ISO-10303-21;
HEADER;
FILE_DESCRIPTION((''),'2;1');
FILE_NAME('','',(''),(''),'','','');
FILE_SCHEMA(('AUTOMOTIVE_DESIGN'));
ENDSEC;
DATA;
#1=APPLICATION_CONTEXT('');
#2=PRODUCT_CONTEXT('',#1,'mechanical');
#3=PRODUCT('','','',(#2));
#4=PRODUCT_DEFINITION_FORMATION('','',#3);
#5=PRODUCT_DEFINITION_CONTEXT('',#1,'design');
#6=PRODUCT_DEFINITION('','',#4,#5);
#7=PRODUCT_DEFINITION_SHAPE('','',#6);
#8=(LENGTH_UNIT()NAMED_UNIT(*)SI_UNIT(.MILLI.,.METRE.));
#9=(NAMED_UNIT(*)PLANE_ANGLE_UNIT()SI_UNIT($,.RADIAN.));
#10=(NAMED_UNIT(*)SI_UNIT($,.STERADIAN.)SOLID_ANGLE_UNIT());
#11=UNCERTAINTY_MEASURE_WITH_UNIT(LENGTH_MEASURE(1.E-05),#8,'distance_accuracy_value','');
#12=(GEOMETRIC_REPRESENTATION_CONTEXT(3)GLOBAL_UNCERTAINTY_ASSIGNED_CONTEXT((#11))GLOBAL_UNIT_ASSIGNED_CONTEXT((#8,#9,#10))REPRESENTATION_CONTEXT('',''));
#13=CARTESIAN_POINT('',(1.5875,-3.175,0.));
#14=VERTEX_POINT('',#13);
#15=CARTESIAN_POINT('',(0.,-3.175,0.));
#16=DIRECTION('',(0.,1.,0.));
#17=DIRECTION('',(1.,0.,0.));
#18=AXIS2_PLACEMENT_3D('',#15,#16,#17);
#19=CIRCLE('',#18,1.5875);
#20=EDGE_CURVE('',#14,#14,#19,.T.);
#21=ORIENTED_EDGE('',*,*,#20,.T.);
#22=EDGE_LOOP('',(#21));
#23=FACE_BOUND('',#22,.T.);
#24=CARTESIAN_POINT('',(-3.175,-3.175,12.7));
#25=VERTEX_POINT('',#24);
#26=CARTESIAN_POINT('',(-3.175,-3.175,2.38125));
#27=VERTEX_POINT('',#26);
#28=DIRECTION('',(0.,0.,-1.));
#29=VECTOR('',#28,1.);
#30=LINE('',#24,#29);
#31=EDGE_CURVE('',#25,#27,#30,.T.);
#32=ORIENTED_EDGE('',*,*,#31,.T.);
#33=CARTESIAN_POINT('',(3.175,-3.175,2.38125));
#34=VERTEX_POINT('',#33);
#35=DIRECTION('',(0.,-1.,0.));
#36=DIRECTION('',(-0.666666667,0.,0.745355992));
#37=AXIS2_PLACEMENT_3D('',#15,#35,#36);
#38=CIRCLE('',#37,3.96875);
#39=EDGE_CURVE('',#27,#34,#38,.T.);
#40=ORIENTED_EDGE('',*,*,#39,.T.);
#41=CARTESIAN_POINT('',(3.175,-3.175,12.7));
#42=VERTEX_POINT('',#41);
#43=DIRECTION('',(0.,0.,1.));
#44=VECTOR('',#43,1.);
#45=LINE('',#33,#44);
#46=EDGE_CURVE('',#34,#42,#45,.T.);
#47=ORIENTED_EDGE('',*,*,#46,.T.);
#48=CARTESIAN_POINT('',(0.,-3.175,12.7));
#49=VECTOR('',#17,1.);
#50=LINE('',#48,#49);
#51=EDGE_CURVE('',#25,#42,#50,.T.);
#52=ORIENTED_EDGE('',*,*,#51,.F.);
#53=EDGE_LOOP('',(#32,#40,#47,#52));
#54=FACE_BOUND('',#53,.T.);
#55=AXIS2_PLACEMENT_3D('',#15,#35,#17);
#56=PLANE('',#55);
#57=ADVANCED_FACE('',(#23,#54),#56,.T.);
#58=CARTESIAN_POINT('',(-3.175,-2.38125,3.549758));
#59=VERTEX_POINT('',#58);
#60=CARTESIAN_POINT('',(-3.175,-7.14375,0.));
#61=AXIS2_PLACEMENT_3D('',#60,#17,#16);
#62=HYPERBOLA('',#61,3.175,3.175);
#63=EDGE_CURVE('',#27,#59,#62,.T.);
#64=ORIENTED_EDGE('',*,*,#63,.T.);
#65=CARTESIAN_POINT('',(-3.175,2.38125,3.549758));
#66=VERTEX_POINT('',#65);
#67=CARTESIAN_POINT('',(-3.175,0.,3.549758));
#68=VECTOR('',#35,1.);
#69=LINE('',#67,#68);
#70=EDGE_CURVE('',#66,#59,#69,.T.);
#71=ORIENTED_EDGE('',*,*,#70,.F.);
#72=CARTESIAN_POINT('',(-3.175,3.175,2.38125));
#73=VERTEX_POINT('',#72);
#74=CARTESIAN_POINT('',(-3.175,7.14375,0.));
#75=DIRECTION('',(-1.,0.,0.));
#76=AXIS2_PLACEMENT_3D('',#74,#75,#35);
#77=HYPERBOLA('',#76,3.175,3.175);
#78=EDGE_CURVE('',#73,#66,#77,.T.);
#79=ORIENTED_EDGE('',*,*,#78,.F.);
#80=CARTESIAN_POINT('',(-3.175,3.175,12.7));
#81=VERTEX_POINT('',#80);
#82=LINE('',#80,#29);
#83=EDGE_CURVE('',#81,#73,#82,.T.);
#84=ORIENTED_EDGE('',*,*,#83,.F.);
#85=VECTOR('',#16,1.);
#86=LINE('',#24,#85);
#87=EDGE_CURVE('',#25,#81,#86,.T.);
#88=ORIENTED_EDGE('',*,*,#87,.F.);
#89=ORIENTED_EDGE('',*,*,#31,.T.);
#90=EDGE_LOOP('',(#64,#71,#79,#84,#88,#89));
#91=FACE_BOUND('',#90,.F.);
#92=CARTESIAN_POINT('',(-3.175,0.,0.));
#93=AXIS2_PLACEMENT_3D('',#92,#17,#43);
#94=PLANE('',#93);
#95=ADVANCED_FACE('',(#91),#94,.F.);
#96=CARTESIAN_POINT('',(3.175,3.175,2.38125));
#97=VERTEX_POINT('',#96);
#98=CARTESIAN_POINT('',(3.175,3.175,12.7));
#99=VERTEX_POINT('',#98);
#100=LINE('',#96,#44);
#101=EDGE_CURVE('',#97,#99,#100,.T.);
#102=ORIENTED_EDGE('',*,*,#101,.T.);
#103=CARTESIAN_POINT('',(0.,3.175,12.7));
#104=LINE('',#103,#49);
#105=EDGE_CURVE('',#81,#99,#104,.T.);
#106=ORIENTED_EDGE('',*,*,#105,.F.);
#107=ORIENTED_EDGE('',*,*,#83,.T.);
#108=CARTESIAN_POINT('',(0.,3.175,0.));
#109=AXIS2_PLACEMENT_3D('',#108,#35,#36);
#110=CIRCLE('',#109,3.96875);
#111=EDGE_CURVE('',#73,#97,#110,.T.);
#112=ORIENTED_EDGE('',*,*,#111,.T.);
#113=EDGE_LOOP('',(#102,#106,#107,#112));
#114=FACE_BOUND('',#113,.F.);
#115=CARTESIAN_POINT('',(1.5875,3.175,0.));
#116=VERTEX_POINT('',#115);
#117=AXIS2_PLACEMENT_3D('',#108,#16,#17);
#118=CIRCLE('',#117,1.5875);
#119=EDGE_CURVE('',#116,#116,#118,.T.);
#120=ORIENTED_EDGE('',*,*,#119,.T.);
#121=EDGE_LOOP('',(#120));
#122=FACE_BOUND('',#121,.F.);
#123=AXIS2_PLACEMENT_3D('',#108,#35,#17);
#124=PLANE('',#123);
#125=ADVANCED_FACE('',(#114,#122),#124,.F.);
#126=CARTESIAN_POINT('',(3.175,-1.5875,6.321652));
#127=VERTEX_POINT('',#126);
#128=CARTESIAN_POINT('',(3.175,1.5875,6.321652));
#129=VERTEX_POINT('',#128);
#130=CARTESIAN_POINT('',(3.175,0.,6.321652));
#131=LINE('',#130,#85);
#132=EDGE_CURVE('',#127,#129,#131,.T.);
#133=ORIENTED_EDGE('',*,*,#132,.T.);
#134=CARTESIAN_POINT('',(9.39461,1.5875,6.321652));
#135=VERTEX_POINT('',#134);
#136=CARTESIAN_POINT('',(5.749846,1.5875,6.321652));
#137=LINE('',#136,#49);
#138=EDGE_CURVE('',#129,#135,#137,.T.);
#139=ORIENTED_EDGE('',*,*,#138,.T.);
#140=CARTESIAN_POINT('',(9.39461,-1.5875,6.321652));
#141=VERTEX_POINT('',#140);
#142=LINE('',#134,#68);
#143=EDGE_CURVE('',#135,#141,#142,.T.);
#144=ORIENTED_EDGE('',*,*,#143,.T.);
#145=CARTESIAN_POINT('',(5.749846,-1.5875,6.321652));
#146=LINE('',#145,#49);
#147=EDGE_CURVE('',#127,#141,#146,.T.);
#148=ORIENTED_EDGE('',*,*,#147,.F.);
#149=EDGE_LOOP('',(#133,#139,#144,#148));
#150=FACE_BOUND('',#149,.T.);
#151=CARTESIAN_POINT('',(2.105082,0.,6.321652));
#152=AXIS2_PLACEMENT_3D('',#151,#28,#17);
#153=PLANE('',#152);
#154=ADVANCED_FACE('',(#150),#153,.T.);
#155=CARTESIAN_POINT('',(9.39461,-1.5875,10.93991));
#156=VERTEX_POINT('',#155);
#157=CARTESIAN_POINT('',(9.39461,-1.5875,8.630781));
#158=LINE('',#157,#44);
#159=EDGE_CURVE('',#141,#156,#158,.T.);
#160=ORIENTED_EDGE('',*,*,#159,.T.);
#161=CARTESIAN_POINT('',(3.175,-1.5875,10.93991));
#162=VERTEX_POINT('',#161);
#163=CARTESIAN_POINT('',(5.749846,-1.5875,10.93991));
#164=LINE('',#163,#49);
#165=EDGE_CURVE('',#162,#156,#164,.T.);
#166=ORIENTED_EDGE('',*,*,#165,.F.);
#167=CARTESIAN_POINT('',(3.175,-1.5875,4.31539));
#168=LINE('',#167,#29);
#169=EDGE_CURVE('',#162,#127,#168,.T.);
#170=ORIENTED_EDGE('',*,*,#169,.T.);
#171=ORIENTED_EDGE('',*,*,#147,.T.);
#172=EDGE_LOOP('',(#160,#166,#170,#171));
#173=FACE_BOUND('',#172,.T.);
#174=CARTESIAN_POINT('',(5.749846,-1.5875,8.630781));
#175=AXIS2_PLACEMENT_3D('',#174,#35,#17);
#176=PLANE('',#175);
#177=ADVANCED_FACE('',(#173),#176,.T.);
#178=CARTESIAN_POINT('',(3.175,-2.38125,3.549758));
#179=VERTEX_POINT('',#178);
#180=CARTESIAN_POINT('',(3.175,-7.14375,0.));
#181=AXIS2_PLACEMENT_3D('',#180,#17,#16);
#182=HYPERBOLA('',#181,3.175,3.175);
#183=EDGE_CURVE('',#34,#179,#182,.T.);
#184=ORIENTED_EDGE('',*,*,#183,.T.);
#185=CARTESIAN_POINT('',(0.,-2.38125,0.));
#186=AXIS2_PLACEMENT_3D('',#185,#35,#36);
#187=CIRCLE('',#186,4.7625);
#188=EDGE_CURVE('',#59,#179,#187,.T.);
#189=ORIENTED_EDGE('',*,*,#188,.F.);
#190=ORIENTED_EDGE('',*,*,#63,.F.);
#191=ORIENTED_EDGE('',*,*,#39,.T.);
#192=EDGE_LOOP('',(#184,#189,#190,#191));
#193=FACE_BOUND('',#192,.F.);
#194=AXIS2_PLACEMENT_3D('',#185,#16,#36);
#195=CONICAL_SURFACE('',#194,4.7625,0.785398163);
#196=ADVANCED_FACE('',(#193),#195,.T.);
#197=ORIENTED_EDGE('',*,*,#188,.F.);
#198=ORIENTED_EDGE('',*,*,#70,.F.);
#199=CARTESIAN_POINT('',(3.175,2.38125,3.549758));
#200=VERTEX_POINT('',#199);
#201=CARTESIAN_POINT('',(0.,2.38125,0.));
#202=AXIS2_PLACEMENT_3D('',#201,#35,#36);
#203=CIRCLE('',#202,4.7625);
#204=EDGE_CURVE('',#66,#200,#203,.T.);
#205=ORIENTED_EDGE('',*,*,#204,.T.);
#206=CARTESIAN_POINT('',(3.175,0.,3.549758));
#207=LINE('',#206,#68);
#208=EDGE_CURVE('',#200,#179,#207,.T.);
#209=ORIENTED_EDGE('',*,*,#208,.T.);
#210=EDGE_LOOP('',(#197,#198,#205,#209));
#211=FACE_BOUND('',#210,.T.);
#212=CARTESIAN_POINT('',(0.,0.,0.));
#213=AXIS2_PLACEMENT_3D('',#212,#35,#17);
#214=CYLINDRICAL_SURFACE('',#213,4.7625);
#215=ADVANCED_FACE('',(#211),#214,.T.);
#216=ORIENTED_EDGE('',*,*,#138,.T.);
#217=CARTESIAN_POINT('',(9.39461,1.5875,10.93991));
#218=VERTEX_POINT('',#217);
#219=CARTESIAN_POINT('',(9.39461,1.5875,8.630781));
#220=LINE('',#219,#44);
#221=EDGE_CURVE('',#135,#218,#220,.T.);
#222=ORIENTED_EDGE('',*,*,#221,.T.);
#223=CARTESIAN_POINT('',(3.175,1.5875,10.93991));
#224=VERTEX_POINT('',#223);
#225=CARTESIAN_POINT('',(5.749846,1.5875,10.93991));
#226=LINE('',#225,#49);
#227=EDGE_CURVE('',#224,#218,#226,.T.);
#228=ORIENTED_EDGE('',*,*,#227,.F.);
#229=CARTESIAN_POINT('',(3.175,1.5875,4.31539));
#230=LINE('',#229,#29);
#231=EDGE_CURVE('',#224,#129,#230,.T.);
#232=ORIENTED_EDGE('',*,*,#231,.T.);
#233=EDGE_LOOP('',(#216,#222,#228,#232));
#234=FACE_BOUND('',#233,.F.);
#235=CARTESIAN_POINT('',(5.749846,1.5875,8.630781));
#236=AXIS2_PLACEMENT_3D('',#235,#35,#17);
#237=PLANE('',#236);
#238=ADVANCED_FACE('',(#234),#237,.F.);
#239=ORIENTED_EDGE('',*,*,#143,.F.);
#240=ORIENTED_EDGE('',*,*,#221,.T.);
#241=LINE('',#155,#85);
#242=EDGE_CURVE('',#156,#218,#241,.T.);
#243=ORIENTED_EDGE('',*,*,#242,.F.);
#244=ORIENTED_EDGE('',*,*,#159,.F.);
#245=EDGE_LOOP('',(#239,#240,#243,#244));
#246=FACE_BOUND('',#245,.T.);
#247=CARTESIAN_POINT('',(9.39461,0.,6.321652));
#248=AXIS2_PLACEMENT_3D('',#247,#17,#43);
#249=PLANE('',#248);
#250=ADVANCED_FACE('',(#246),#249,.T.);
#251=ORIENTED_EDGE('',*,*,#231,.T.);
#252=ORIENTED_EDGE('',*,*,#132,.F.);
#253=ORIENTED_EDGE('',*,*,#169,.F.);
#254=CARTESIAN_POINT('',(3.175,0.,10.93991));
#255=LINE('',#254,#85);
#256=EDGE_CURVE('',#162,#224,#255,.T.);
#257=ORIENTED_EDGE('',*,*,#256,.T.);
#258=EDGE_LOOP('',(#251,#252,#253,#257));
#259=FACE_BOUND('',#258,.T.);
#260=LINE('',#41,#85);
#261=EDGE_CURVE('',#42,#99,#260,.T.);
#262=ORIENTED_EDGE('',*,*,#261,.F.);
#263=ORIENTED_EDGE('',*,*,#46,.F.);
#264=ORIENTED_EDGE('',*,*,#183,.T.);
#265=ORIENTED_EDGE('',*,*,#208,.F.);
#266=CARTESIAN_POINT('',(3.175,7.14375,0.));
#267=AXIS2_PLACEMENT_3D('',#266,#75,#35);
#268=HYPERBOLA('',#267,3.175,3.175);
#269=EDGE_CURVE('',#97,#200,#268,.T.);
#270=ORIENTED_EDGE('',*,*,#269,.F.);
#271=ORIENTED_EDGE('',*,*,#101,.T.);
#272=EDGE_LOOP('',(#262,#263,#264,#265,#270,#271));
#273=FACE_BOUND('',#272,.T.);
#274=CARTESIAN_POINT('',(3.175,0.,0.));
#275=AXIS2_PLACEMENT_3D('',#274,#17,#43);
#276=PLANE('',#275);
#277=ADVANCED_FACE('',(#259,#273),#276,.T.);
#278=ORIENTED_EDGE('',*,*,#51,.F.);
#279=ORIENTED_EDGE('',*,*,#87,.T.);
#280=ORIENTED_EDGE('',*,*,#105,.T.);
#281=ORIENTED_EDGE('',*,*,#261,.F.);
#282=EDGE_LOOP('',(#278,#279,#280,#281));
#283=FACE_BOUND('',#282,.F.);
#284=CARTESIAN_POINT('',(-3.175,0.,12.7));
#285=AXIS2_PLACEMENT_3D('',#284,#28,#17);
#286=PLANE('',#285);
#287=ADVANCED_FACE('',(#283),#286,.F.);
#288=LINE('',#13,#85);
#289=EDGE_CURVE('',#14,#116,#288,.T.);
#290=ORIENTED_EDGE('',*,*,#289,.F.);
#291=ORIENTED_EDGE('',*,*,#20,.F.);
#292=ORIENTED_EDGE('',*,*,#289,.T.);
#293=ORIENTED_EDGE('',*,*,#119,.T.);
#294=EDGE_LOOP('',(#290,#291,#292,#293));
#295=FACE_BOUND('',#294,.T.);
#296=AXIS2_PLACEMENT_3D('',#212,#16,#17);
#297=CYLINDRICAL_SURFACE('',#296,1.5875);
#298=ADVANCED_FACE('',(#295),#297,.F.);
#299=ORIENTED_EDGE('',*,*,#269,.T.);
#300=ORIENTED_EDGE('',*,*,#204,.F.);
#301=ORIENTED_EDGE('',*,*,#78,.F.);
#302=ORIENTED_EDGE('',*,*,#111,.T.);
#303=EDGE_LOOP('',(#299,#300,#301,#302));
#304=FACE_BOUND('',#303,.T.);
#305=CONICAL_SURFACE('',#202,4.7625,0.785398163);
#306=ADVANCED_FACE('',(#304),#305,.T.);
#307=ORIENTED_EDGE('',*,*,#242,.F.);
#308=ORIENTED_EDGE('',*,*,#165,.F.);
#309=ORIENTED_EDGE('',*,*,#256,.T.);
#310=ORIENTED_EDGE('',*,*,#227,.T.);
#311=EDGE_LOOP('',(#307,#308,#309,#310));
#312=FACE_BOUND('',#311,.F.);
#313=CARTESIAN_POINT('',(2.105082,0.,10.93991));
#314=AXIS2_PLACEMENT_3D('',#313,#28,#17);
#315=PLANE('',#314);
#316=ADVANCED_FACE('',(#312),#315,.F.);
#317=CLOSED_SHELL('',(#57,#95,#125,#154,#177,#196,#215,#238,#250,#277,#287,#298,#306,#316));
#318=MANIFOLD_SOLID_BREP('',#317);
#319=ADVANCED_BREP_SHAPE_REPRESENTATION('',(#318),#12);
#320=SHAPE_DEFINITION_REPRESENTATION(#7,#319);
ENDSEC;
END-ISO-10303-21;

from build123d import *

# Parameters (mm, degrees)
F0_R     = 4.7625
F0_R_2   = 1.5875
F4_DEPTH = 3.175
F1_W     = 6.35
F1_H     = 12.7
F5_DEPTH = 3.175
F3_R     = 1.5875
F6_DEPTH = 12.7
F7_SIZE  = 0.79375
F2_W     = 7.2895279154
F2_H     = 4.6182582155
F8_DEPTH = 1.5875


with BuildPart() as f4:
    # F0 (on Front) → F4 (new body, symmetric)
    with BuildSketch(Plane.XZ):
        Circle(F0_R)
        Circle(F0_R_2, mode=Mode.SUBTRACT)
    extrude(amount=F4_DEPTH, both=True)

    # F1 (on Front) → F5 (join, symmetric)
    with BuildSketch(Plane.XZ):
        with Locations((0, 6.35)):
            Rectangle(F1_W, F1_H)
    extrude(amount=F5_DEPTH, both=True)

    # F3 (on Front) → F6 (cut, symmetric)
    with BuildSketch(Plane.XZ):
        Circle(F3_R)
    extrude(amount=F6_DEPTH, both=True, mode=Mode.SUBTRACT)

    # F7
    f7_edges = [f4.edges().sort_by_distance(p)[0] for p in [
        (0, 3.175, -4.7625),
        (0, -3.175, -4.7625),
    ]]
    chamfer(f7_edges, length=F7_SIZE)

    # F2 (on Front) → F8 (join, symmetric)
    with BuildSketch(Plane.XZ):
        with Locations((5.749846343, 8.6307809688)):
            Rectangle(F2_W, F2_H)
    extrude(amount=F8_DEPTH, both=True)


solid = f4.part
